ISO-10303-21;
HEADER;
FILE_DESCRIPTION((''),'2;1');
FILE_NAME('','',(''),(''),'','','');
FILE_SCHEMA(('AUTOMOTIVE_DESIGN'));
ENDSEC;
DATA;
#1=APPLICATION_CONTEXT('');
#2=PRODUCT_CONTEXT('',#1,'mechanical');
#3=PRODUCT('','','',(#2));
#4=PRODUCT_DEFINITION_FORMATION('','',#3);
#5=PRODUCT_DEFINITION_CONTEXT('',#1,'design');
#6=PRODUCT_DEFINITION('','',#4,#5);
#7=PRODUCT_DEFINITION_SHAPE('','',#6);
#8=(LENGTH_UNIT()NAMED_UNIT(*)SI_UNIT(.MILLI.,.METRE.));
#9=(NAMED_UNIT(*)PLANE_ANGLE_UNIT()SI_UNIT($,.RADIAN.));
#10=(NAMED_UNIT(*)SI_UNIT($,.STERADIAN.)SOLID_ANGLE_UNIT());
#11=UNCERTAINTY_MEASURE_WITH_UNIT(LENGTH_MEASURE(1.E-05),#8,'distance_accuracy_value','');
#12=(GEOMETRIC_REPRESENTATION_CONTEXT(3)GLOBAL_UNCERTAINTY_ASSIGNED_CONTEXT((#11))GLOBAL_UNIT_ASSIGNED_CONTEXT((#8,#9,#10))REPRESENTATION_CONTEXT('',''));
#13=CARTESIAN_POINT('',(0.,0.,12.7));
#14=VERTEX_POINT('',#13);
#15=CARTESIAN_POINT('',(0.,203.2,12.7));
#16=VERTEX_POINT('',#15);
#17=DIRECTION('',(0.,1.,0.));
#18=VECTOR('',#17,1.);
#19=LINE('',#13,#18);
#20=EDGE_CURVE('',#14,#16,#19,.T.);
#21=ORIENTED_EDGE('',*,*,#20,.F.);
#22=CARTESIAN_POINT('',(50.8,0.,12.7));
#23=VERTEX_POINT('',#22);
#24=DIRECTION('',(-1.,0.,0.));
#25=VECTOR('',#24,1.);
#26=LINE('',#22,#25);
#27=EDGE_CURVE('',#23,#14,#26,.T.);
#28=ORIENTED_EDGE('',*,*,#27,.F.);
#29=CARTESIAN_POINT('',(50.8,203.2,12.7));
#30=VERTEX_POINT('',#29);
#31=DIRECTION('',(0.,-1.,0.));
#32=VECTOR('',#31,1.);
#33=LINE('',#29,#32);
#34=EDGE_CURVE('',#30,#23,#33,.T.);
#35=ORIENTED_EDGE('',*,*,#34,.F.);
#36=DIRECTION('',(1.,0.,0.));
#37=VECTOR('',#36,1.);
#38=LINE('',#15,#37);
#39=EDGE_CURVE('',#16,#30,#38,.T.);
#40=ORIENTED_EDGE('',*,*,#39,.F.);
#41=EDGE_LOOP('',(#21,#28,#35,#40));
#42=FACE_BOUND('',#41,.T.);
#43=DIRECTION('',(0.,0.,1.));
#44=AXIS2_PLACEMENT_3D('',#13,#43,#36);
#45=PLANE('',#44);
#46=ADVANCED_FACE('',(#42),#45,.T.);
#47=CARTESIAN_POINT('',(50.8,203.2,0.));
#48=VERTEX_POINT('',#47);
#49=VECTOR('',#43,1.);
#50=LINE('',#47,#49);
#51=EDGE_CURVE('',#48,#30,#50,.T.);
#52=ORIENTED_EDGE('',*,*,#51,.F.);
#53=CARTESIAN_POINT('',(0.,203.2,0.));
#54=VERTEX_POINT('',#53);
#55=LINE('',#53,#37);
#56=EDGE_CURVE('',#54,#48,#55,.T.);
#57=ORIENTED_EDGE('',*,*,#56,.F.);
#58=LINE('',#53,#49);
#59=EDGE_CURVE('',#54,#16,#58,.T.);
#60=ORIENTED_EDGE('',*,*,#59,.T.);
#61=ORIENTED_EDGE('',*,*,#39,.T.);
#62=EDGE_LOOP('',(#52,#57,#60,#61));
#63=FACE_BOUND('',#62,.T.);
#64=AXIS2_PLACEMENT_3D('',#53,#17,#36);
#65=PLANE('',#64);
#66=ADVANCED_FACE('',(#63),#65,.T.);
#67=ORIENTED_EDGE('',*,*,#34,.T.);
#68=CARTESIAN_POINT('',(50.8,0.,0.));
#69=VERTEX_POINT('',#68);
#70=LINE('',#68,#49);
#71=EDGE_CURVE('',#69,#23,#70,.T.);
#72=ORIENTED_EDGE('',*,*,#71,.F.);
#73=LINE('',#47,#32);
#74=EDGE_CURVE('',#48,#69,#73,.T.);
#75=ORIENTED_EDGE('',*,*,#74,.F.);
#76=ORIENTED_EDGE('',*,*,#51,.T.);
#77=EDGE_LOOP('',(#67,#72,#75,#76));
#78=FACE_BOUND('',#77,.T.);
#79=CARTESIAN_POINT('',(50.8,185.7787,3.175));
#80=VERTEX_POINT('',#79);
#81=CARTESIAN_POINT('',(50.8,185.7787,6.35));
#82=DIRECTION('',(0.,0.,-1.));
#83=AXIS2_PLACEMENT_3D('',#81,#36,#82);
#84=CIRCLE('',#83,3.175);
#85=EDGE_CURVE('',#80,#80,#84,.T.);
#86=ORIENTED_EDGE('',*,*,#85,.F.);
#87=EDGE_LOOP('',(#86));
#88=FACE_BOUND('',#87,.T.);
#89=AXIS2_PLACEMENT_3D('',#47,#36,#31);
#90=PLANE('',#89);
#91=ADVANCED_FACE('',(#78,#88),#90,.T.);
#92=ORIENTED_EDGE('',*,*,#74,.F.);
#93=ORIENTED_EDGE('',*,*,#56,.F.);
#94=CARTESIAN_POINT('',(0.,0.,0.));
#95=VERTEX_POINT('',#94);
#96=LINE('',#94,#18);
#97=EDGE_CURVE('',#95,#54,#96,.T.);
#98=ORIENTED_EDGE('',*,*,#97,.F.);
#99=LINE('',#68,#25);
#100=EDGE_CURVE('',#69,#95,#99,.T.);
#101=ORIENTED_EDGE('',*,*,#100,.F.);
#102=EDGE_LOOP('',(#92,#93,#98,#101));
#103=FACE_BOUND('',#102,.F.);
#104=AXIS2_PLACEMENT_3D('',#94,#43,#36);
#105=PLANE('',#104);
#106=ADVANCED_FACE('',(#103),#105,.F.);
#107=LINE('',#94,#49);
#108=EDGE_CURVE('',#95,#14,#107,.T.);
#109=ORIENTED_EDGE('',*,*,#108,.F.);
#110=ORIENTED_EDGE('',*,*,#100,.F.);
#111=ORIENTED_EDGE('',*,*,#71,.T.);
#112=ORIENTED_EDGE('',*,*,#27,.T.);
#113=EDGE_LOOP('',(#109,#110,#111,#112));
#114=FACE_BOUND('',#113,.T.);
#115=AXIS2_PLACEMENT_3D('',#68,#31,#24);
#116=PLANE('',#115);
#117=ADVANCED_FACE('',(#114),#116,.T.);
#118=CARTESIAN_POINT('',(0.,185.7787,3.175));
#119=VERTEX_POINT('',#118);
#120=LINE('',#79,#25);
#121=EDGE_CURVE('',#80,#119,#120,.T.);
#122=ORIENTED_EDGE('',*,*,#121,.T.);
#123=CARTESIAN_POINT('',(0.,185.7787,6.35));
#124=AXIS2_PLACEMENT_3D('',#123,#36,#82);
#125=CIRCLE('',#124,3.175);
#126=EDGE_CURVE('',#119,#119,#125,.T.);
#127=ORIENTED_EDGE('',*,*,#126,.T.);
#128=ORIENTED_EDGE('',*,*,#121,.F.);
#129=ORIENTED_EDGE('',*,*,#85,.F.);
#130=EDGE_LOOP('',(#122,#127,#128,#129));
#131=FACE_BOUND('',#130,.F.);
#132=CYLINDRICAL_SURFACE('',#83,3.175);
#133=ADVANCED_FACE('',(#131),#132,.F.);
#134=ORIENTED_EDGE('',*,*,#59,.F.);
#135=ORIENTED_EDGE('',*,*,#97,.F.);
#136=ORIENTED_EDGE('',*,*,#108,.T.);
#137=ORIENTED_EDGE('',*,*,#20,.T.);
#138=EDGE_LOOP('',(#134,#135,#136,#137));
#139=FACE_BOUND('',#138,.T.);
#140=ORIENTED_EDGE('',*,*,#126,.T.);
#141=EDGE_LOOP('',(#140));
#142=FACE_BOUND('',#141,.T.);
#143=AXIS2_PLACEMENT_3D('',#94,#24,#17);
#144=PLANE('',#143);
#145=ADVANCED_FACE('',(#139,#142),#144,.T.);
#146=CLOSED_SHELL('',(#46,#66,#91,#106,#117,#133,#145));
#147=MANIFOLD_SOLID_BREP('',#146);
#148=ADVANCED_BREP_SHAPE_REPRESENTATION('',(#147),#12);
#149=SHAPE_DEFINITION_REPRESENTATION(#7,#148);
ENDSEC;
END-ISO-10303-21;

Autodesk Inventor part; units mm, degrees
ref_plane "YZ Plane" through (0, 0, 0) normal (1, 0, 0) x (0, 1, 0)
ref_plane "XZ Plane" through (0, 0, 0) normal (0, 1, 0) x (-1, 0, 0)
ref_plane "XY Plane" through (0, 0, 0) normal (0, 0, 1) x (1, 0, 0)
sketch "Sketch1" plane through (0, 0, 0) normal (0, 0, 1) x (1, 0, 0)
  line L0 (0, 0) -> (0, 203.2)
  line L1 (0, 203.2) -> (50.8, 203.2)
  line L2 (50.8, 203.2) -> (50.8, 0)
  line L3 (50.8, 0) -> (0, 0)
  dimension "d0" = 203.2
  dimension "d1" = 50.8
extrude "Extrusion1" add sketch "Sketch1" along normal blind 12.7
sketch "Sketch2" plane through (50.8, 0, 0) normal (1, 0, 0) x (0, 0, -1)
  circle A0 centre (-6.35, 185.7787) radius 3.175
  line L0 (0, 203.2) -> (0, 0) projected
  dimension "d4" = 6.35
  dimension "d7" = 6.35
extrude "Extrusion2" cut sketch "Sketch2" against normal blind 127
properties part number "Bar"
